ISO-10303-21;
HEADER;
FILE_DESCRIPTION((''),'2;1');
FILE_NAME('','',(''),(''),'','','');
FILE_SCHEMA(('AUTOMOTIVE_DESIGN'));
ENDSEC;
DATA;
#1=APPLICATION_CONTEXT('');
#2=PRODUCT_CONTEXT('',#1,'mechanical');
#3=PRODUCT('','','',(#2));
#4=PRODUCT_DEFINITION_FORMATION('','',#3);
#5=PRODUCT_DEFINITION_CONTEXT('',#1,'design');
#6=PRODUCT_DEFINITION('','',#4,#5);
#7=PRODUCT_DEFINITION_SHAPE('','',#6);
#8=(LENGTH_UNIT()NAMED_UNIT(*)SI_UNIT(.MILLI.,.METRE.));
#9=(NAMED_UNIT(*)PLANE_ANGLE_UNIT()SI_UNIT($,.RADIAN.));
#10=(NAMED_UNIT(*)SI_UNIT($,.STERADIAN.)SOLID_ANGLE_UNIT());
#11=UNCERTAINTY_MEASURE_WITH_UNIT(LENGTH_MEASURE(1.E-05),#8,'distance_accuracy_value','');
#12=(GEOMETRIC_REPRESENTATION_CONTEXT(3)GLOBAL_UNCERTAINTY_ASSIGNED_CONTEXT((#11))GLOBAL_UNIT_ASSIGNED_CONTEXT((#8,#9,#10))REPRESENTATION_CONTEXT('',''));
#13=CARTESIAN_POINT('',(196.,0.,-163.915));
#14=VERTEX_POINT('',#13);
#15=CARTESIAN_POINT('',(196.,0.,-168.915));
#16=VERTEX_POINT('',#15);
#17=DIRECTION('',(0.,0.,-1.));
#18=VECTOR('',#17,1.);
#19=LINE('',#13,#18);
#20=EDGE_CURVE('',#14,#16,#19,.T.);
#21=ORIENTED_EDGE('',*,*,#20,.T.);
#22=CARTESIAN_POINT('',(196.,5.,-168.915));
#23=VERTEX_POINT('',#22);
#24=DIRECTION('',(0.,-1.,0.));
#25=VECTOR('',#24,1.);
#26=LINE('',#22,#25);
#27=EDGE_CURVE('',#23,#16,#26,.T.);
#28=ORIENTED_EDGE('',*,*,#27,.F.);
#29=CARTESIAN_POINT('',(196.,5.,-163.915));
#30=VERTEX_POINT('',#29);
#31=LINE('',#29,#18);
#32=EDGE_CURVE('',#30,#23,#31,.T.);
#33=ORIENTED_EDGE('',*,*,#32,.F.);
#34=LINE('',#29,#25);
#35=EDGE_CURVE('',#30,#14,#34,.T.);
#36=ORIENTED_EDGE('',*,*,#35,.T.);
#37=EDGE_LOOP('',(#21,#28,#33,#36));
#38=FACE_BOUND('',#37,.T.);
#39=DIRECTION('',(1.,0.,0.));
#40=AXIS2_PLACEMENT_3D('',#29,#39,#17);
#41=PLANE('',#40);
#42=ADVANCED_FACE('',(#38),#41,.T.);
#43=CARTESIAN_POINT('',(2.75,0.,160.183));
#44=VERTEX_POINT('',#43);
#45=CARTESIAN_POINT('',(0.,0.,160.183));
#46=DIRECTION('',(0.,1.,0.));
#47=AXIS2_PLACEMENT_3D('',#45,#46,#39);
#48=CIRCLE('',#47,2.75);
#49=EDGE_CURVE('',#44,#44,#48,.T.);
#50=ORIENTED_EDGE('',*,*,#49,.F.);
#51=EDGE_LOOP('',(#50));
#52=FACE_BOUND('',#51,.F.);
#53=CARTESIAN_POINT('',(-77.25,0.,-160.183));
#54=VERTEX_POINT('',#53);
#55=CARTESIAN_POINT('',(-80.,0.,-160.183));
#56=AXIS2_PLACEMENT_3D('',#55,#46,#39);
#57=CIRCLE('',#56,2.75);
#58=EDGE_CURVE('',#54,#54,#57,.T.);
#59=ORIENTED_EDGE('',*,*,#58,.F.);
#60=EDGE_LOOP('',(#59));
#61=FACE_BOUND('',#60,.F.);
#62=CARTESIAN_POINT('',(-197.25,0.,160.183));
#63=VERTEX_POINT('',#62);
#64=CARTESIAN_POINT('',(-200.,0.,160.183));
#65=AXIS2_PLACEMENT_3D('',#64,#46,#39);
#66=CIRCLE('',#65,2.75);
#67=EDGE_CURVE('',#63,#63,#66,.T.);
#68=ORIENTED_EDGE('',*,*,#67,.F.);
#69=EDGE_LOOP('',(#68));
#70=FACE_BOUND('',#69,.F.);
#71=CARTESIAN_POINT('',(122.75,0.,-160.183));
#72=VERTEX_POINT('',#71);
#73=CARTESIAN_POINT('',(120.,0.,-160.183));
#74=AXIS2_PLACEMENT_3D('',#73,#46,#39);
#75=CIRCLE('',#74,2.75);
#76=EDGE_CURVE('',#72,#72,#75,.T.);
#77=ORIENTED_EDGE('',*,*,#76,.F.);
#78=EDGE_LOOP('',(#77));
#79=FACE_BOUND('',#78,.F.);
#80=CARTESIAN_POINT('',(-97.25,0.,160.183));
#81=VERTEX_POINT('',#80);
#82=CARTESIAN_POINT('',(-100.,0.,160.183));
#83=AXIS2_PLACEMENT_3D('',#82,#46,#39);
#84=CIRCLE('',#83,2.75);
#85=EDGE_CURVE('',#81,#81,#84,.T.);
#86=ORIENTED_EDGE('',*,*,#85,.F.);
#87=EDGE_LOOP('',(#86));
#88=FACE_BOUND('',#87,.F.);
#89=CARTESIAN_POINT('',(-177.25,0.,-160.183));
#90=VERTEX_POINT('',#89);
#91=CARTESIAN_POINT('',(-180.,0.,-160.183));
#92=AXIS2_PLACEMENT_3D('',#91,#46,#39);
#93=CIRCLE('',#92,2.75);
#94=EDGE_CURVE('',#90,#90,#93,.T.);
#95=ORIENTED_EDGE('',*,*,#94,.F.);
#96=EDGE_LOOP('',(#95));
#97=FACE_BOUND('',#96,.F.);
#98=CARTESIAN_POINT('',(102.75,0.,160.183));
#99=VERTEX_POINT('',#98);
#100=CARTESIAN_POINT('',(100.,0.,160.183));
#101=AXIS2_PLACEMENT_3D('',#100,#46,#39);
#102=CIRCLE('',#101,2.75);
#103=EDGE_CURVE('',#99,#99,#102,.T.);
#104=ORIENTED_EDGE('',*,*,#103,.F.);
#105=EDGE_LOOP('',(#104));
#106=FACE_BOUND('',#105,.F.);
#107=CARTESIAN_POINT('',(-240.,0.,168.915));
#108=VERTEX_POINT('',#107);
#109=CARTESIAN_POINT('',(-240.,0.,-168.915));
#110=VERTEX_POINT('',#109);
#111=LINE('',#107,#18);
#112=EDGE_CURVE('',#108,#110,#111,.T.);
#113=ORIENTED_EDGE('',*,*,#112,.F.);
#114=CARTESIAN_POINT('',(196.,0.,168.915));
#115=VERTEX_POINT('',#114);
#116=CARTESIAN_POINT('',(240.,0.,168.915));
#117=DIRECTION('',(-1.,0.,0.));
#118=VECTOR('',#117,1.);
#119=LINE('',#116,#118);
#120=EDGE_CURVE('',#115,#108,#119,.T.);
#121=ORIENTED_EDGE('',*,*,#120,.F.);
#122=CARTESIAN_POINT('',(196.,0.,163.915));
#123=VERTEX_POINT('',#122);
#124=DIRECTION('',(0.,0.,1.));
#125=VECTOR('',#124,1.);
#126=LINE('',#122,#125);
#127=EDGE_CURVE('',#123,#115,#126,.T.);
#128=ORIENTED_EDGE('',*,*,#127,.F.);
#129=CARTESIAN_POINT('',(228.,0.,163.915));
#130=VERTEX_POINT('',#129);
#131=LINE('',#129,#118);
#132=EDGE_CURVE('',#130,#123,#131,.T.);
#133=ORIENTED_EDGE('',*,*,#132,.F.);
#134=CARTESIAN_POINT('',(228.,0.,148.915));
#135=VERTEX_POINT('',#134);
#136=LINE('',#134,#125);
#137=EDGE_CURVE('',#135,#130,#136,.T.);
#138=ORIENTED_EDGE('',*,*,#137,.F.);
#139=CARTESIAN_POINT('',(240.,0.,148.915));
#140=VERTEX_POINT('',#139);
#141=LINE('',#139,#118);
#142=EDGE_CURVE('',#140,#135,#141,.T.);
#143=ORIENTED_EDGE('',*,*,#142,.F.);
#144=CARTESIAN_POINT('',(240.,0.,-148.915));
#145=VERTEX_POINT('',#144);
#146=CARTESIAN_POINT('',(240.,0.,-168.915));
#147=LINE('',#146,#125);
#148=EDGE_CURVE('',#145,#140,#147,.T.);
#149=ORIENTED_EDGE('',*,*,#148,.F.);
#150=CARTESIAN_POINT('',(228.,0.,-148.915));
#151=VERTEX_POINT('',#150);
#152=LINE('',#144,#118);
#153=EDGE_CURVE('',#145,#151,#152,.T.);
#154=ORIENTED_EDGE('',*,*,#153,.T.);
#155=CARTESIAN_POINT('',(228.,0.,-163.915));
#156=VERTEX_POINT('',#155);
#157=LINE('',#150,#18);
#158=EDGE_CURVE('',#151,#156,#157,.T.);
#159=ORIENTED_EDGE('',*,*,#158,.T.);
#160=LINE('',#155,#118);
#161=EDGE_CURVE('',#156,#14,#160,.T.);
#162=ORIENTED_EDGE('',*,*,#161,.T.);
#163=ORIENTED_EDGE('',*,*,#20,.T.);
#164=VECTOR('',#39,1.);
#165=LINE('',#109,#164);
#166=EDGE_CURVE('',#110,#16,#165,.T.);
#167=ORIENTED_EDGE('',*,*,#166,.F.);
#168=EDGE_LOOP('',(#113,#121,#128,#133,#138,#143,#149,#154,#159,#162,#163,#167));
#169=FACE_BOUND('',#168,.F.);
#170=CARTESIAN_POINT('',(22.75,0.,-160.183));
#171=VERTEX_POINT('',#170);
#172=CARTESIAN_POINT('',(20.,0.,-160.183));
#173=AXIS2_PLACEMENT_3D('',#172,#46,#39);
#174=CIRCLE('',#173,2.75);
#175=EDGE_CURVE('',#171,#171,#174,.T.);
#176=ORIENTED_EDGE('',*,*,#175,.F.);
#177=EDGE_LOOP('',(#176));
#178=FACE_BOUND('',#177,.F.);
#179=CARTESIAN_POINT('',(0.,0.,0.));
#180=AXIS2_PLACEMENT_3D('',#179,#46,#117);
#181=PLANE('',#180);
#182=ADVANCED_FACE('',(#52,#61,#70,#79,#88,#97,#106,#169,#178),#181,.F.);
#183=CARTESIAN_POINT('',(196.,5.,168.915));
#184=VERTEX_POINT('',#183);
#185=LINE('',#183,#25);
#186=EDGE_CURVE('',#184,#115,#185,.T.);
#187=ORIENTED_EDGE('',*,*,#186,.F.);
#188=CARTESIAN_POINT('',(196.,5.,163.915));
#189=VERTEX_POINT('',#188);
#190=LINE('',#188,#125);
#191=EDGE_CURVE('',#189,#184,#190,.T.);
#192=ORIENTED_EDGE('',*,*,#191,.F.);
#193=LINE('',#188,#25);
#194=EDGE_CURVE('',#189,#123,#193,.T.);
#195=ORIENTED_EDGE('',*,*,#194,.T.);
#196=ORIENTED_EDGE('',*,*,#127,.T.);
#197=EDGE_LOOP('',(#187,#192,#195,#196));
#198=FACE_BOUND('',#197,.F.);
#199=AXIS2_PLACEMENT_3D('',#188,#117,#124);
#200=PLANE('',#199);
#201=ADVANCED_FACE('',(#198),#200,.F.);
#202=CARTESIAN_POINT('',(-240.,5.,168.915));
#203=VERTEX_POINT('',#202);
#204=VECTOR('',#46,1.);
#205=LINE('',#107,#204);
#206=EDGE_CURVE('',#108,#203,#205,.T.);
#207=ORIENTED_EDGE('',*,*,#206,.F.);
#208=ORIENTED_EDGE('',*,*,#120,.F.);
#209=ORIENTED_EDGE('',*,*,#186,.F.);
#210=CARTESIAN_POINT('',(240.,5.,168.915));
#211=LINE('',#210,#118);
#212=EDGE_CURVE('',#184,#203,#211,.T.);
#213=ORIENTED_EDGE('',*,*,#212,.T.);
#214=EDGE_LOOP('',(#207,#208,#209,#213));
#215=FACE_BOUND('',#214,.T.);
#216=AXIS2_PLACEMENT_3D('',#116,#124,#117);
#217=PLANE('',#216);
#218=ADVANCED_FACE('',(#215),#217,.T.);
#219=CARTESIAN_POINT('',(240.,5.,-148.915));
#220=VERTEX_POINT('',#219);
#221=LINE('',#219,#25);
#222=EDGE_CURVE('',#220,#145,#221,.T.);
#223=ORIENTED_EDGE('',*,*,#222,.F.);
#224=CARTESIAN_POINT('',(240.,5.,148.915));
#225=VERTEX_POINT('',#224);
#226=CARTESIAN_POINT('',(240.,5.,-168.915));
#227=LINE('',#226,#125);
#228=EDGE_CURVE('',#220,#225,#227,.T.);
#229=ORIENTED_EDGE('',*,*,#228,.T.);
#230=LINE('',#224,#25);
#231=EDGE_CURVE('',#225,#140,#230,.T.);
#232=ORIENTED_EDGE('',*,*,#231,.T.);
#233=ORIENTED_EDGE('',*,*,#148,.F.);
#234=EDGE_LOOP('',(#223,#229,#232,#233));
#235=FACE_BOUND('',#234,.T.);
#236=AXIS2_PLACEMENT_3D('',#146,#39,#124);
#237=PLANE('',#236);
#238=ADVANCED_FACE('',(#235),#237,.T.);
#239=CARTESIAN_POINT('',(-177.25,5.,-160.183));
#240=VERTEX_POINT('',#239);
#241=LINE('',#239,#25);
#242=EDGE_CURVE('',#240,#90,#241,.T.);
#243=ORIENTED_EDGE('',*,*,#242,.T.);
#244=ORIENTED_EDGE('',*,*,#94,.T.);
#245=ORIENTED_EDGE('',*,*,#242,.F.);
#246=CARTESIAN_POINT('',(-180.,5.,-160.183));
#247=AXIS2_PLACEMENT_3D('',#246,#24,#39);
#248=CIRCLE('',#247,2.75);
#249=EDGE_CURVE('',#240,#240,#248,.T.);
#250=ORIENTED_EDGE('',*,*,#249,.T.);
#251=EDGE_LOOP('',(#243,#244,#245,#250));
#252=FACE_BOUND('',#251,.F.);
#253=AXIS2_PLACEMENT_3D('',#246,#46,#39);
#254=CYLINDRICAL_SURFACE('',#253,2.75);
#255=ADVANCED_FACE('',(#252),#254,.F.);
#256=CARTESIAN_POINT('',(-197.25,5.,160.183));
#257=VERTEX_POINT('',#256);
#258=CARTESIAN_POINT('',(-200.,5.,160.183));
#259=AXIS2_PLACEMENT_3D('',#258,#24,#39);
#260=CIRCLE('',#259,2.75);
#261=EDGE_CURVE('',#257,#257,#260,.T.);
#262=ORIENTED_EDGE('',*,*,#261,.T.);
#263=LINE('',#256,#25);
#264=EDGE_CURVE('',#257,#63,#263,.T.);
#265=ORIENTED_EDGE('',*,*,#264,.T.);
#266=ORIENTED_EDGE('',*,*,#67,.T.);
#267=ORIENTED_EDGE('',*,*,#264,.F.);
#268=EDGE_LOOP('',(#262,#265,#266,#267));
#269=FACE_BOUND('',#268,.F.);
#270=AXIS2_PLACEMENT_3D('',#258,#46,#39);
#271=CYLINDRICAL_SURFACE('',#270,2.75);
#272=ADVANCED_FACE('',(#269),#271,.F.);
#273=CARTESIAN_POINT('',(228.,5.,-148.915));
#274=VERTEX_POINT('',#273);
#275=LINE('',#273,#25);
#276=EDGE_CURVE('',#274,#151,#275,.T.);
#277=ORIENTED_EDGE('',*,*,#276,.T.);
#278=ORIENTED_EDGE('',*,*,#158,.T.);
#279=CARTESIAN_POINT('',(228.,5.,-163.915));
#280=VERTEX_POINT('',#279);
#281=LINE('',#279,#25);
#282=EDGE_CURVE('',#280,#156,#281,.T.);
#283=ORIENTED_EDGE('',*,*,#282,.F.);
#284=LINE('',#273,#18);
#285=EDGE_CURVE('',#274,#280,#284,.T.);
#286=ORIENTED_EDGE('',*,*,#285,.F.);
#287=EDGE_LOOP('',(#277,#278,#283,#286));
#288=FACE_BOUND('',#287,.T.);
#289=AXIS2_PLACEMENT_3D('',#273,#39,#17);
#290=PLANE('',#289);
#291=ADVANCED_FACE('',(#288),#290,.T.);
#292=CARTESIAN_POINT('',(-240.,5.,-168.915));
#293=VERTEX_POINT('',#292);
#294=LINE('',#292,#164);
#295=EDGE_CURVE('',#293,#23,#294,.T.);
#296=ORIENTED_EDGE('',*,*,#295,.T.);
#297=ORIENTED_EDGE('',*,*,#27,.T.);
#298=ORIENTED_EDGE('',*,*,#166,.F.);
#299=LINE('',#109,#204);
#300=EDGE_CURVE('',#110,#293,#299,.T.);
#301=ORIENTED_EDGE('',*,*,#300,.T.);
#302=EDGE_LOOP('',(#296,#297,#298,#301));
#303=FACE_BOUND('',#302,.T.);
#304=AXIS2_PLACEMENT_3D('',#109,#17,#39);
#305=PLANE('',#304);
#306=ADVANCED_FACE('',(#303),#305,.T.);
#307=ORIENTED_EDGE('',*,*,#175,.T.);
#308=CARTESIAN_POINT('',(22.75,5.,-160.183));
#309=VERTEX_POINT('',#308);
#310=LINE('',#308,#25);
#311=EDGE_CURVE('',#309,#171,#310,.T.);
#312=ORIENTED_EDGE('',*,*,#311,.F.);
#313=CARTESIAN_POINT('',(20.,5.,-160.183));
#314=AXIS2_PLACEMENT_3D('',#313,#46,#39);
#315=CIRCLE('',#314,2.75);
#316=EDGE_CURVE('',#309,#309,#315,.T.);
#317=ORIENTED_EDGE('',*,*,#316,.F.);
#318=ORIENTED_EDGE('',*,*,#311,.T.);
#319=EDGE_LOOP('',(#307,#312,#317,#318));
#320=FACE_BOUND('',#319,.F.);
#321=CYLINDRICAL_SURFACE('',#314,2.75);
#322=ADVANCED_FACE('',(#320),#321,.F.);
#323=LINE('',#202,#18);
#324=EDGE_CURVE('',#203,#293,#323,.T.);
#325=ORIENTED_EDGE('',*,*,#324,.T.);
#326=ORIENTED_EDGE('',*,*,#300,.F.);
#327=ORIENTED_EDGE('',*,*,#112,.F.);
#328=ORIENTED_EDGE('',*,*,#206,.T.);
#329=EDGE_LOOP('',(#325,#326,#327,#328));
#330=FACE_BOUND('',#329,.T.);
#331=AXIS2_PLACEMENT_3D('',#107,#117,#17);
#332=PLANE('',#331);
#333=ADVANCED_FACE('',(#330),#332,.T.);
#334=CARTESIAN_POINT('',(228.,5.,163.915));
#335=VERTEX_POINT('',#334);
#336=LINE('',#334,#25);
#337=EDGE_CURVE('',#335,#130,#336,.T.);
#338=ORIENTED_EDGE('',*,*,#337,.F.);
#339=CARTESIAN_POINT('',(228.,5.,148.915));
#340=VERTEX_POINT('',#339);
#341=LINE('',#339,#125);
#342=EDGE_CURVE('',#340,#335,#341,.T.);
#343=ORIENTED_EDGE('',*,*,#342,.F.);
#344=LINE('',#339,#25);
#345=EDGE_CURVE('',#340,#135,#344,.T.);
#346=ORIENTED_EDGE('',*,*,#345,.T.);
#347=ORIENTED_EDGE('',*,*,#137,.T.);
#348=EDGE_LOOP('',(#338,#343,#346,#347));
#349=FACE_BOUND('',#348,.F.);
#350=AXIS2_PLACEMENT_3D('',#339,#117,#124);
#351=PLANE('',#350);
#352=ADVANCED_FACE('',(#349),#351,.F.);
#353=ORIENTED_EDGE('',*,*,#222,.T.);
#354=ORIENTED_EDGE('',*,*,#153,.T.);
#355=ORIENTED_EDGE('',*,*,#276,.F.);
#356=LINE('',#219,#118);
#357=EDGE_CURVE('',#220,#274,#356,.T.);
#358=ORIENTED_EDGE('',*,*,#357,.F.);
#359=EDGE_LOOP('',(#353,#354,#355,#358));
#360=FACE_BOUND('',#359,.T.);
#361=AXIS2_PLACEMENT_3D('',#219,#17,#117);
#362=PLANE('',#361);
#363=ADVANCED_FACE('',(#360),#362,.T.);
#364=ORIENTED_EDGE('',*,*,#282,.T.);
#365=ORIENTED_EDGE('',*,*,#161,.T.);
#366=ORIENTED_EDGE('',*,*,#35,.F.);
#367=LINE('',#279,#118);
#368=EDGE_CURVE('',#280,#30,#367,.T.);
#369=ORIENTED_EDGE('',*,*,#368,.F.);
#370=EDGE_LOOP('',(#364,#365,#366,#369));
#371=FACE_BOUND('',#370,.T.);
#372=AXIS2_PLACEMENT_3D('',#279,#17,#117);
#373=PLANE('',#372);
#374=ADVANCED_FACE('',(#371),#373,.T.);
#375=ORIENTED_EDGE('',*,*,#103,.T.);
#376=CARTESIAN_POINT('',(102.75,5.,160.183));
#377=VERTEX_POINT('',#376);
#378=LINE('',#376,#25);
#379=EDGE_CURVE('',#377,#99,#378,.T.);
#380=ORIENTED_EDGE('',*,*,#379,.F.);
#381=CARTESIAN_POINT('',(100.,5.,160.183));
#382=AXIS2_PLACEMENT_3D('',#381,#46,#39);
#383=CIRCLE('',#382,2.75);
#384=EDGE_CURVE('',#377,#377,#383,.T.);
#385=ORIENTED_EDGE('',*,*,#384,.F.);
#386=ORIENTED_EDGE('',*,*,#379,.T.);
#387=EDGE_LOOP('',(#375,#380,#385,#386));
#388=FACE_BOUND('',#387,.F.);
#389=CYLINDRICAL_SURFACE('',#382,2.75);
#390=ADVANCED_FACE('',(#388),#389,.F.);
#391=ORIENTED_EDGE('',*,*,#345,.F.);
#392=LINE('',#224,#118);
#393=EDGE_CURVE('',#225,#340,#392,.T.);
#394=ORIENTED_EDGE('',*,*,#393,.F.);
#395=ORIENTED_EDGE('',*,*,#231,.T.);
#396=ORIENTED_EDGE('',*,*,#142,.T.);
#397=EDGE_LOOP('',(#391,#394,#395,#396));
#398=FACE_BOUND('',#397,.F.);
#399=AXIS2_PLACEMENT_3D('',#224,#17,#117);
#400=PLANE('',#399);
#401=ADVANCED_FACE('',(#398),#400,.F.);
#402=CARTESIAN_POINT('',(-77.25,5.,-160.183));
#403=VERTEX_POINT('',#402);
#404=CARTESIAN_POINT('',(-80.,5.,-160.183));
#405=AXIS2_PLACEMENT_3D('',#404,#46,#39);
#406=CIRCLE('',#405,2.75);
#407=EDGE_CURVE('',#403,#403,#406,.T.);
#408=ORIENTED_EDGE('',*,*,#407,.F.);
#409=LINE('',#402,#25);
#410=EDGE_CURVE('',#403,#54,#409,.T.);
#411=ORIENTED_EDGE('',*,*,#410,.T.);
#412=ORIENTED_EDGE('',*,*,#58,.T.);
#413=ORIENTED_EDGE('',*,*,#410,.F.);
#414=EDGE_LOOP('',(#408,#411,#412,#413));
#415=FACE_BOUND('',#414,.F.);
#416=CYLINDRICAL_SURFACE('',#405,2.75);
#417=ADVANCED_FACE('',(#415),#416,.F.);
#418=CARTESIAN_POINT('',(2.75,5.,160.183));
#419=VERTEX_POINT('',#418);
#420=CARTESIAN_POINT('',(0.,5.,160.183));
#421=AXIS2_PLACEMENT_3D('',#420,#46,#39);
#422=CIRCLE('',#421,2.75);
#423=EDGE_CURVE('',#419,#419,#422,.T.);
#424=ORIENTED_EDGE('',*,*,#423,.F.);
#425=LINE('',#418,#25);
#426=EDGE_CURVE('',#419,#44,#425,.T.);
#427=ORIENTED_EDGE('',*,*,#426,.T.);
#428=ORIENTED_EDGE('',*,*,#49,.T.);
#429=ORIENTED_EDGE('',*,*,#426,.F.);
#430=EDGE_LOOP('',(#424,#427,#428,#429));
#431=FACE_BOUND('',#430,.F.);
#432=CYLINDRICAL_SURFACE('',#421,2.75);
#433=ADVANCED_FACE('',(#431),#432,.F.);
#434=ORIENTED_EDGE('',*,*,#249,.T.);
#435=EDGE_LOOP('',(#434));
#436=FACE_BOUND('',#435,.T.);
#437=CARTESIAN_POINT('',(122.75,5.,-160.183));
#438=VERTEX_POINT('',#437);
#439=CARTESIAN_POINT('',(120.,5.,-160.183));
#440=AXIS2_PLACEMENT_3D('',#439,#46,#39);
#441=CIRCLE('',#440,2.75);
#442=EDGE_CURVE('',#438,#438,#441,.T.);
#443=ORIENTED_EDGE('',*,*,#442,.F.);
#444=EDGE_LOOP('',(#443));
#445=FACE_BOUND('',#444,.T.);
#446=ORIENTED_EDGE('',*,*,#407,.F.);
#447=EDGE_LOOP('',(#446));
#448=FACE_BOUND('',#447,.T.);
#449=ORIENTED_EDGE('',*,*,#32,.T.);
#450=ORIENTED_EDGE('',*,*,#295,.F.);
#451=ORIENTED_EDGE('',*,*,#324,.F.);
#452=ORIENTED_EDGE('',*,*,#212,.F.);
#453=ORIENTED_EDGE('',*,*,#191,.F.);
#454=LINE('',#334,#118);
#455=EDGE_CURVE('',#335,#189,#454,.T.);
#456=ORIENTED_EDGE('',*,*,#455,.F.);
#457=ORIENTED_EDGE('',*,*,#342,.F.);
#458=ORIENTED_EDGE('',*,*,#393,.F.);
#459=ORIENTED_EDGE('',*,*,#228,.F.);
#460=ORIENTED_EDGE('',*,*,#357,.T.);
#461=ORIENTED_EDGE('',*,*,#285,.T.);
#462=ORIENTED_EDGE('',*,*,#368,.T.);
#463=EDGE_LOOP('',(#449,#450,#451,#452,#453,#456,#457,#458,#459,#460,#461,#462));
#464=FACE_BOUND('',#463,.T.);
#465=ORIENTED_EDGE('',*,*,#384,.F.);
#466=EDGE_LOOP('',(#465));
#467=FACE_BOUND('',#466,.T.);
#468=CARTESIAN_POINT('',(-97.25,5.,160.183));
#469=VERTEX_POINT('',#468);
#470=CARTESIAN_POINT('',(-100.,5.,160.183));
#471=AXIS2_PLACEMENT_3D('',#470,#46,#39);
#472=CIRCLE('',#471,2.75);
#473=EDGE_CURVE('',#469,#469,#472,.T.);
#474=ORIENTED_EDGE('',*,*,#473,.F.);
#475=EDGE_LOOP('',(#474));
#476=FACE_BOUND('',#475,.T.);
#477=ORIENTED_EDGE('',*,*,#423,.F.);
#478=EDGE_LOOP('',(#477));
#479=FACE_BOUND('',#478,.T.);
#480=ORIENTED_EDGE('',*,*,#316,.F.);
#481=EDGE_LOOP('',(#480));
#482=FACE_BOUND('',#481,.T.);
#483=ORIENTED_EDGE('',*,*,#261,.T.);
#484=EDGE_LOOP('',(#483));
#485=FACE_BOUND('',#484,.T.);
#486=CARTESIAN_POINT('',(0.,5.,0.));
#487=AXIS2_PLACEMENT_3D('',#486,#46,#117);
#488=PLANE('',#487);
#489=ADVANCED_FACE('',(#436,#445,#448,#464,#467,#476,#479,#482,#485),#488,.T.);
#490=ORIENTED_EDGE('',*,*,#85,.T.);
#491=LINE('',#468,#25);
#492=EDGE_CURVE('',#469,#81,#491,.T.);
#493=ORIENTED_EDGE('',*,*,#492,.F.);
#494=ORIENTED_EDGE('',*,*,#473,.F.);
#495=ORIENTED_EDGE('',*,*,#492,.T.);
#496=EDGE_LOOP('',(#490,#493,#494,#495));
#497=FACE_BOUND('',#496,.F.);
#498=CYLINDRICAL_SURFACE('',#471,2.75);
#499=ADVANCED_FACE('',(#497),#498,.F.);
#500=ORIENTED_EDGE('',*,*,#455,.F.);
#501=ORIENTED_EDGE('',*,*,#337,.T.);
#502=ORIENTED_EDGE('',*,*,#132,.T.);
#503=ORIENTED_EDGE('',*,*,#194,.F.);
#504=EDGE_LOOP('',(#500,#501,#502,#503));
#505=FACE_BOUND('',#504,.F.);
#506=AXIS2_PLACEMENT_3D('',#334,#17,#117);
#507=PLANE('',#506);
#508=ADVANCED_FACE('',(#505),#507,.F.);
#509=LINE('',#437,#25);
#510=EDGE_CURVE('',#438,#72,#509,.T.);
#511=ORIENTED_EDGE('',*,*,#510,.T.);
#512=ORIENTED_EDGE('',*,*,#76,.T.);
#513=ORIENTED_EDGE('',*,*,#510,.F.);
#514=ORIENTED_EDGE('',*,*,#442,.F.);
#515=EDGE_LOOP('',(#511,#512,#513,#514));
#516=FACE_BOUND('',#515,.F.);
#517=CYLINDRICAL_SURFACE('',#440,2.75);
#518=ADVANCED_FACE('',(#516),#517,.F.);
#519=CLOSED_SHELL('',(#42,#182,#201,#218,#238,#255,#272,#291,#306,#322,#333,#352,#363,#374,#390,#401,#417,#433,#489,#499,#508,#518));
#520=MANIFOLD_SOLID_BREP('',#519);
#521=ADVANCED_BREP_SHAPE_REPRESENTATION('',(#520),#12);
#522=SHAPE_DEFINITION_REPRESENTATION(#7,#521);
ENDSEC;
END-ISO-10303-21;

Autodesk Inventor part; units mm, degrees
ref_plane "YZ Plane" through (0, 0, 0) normal (1, 0, 0) x (0, 1, 0)
ref_plane "XZ Plane" through (0, 0, 0) normal (0, 1, 0) x (-1, 0, 0)
ref_plane "XY Plane" through (0, 0, 0) normal (0, 0, 1) x (1, 0, 0)
sketch "Sketch1" plane through (0, 0, 0) normal (0, 1, 0) x (-1, 0, 0)
  line L0 (-240, 168.915) -> (240, 168.915)
  line L1 (240, 168.915) -> (240, -168.915)
  line L2 (240, -168.915) -> (-240, -168.915)
  line L3 (-240, -168.915) -> (-240, 168.915)
  line L4 (-240, 168.915) -> (240, -168.915) construction
  line L5 (240, 168.915) -> (-240, -168.915) construction
  point P0 (0, 0)
  dimension "d0" = 480
  dimension "d1" = 337.83
extrude "Extrusion1" add sketch "Sketch1" along normal blind 5
sketch "Sketch2" plane through (0, 5, 0) normal (0, 1, 0) x (1, 0, 0)
  line L0 (240, -168.915) -> (240, 168.915) projected
  line L1 (240, -168.915) -> (240, -148.915)
  line L2 (240, -148.915) -> (228, -148.915)
  line L3 (-240, -168.915) -> (240, -168.915) projected
  line L4 (228, -168.915) -> (228, -163.915)
  line L5 (228, -168.915) -> (233, -168.915) construction
  line L6 (228, -148.915) -> (228, -163.915)
  line L7 (228, -163.915) -> (196, -163.915)
  line L8 (196, -163.915) -> (196, -168.915)
  line L9 (196, -168.915) -> (240, -168.915)
  line L10 (240, 0) -> (160.3142, 0)
  line L11 (240, 168.915) -> (240, 148.915)
  line L12 (240, 148.915) -> (228, 148.915)
  line L13 (228, 168.915) -> (228, 163.915)
  line L14 (228, 168.915) -> (233, 168.915) construction
  line L15 (228, 148.915) -> (228, 163.915)
  line L16 (228, 163.915) -> (196, 163.915)
  line L17 (196, 163.915) -> (196, 168.915)
  line L18 (196, 168.915) -> (240, 168.915)
  point P0 (0, 0)
  dimension "d4" = 20
  dimension "d5" = 12
  dimension "d6" = 5
  dimension "d7" = 90
  dimension "d8" = 15
  dimension "d9" = 32
extrude "Extrusion2" cut sketch "Sketch2" against normal blind 5
sketch "Sketch4" plane through (0, 5, 0) normal (0, 1, 0) x (1, 0, 0)
  line L0 (-240, -168.915) -> (196, -168.915) projected
  line L1 (-240, -168.915) -> (-200, -168.915)
  line L2 (-200, -168.915) -> (-200, -160.183)
  circle A0 centre (-200, -160.183) radius 2.75
  circle A1 centre (-100, -160.183) radius 2.75
  circle A2 centre (0, -160.183) radius 2.75
  circle A3 centre (100, -160.183) radius 2.75
  line L3 (196, 168.915) -> (-240, 168.915) projected
  line L4 (-240, 168.915) -> (-180, 168.915)
  line L5 (-180, 168.915) -> (-180, 160.183)
  circle A4 centre (-180, 160.183) radius 2.75
  circle A5 centre (-80, 160.183) radius 2.75
  circle A6 centre (20, 160.183) radius 2.75
  circle A7 centre (120, 160.183) radius 2.75
  point P0 (0, 0)
  dimension "d14" = 40
  dimension "d15" = 8.732
  dimension "d16" = 5.5
  dimension "d19" = 100
  dimension "d24" = 60
  dimension "d25" = 8.732
  dimension "d26" = 5.5
  dimension "d29" = 100
extrude "Extrusion3" cut sketch "Sketch4" against normal blind 10
sketch "Sketch5" plane through (0, 5, 0) normal (0, 1, 0) x (1, 0, 0)
  line L0 (196, 168.915) -> (-240, 168.915) projected
  line L1 (-240, 168.915) -> (240, 168.915)
  line L2 (240, 168.915) -> (240, -170.085)
  line L3 (240, -170.085) -> (-240, -170.085)
  line L4 (-240, -170.085) -> (-240, 168.915)
  point P0 (0, 0)
  dimension "d36" = 480
  dimension "d37" = 339
sketch "Sketch6" plane through (0, 5, 0) normal (0, 1, 0) x (1, 0, 0)
  point P0 (0, 0)
properties part number "Acrylic_Panel"
